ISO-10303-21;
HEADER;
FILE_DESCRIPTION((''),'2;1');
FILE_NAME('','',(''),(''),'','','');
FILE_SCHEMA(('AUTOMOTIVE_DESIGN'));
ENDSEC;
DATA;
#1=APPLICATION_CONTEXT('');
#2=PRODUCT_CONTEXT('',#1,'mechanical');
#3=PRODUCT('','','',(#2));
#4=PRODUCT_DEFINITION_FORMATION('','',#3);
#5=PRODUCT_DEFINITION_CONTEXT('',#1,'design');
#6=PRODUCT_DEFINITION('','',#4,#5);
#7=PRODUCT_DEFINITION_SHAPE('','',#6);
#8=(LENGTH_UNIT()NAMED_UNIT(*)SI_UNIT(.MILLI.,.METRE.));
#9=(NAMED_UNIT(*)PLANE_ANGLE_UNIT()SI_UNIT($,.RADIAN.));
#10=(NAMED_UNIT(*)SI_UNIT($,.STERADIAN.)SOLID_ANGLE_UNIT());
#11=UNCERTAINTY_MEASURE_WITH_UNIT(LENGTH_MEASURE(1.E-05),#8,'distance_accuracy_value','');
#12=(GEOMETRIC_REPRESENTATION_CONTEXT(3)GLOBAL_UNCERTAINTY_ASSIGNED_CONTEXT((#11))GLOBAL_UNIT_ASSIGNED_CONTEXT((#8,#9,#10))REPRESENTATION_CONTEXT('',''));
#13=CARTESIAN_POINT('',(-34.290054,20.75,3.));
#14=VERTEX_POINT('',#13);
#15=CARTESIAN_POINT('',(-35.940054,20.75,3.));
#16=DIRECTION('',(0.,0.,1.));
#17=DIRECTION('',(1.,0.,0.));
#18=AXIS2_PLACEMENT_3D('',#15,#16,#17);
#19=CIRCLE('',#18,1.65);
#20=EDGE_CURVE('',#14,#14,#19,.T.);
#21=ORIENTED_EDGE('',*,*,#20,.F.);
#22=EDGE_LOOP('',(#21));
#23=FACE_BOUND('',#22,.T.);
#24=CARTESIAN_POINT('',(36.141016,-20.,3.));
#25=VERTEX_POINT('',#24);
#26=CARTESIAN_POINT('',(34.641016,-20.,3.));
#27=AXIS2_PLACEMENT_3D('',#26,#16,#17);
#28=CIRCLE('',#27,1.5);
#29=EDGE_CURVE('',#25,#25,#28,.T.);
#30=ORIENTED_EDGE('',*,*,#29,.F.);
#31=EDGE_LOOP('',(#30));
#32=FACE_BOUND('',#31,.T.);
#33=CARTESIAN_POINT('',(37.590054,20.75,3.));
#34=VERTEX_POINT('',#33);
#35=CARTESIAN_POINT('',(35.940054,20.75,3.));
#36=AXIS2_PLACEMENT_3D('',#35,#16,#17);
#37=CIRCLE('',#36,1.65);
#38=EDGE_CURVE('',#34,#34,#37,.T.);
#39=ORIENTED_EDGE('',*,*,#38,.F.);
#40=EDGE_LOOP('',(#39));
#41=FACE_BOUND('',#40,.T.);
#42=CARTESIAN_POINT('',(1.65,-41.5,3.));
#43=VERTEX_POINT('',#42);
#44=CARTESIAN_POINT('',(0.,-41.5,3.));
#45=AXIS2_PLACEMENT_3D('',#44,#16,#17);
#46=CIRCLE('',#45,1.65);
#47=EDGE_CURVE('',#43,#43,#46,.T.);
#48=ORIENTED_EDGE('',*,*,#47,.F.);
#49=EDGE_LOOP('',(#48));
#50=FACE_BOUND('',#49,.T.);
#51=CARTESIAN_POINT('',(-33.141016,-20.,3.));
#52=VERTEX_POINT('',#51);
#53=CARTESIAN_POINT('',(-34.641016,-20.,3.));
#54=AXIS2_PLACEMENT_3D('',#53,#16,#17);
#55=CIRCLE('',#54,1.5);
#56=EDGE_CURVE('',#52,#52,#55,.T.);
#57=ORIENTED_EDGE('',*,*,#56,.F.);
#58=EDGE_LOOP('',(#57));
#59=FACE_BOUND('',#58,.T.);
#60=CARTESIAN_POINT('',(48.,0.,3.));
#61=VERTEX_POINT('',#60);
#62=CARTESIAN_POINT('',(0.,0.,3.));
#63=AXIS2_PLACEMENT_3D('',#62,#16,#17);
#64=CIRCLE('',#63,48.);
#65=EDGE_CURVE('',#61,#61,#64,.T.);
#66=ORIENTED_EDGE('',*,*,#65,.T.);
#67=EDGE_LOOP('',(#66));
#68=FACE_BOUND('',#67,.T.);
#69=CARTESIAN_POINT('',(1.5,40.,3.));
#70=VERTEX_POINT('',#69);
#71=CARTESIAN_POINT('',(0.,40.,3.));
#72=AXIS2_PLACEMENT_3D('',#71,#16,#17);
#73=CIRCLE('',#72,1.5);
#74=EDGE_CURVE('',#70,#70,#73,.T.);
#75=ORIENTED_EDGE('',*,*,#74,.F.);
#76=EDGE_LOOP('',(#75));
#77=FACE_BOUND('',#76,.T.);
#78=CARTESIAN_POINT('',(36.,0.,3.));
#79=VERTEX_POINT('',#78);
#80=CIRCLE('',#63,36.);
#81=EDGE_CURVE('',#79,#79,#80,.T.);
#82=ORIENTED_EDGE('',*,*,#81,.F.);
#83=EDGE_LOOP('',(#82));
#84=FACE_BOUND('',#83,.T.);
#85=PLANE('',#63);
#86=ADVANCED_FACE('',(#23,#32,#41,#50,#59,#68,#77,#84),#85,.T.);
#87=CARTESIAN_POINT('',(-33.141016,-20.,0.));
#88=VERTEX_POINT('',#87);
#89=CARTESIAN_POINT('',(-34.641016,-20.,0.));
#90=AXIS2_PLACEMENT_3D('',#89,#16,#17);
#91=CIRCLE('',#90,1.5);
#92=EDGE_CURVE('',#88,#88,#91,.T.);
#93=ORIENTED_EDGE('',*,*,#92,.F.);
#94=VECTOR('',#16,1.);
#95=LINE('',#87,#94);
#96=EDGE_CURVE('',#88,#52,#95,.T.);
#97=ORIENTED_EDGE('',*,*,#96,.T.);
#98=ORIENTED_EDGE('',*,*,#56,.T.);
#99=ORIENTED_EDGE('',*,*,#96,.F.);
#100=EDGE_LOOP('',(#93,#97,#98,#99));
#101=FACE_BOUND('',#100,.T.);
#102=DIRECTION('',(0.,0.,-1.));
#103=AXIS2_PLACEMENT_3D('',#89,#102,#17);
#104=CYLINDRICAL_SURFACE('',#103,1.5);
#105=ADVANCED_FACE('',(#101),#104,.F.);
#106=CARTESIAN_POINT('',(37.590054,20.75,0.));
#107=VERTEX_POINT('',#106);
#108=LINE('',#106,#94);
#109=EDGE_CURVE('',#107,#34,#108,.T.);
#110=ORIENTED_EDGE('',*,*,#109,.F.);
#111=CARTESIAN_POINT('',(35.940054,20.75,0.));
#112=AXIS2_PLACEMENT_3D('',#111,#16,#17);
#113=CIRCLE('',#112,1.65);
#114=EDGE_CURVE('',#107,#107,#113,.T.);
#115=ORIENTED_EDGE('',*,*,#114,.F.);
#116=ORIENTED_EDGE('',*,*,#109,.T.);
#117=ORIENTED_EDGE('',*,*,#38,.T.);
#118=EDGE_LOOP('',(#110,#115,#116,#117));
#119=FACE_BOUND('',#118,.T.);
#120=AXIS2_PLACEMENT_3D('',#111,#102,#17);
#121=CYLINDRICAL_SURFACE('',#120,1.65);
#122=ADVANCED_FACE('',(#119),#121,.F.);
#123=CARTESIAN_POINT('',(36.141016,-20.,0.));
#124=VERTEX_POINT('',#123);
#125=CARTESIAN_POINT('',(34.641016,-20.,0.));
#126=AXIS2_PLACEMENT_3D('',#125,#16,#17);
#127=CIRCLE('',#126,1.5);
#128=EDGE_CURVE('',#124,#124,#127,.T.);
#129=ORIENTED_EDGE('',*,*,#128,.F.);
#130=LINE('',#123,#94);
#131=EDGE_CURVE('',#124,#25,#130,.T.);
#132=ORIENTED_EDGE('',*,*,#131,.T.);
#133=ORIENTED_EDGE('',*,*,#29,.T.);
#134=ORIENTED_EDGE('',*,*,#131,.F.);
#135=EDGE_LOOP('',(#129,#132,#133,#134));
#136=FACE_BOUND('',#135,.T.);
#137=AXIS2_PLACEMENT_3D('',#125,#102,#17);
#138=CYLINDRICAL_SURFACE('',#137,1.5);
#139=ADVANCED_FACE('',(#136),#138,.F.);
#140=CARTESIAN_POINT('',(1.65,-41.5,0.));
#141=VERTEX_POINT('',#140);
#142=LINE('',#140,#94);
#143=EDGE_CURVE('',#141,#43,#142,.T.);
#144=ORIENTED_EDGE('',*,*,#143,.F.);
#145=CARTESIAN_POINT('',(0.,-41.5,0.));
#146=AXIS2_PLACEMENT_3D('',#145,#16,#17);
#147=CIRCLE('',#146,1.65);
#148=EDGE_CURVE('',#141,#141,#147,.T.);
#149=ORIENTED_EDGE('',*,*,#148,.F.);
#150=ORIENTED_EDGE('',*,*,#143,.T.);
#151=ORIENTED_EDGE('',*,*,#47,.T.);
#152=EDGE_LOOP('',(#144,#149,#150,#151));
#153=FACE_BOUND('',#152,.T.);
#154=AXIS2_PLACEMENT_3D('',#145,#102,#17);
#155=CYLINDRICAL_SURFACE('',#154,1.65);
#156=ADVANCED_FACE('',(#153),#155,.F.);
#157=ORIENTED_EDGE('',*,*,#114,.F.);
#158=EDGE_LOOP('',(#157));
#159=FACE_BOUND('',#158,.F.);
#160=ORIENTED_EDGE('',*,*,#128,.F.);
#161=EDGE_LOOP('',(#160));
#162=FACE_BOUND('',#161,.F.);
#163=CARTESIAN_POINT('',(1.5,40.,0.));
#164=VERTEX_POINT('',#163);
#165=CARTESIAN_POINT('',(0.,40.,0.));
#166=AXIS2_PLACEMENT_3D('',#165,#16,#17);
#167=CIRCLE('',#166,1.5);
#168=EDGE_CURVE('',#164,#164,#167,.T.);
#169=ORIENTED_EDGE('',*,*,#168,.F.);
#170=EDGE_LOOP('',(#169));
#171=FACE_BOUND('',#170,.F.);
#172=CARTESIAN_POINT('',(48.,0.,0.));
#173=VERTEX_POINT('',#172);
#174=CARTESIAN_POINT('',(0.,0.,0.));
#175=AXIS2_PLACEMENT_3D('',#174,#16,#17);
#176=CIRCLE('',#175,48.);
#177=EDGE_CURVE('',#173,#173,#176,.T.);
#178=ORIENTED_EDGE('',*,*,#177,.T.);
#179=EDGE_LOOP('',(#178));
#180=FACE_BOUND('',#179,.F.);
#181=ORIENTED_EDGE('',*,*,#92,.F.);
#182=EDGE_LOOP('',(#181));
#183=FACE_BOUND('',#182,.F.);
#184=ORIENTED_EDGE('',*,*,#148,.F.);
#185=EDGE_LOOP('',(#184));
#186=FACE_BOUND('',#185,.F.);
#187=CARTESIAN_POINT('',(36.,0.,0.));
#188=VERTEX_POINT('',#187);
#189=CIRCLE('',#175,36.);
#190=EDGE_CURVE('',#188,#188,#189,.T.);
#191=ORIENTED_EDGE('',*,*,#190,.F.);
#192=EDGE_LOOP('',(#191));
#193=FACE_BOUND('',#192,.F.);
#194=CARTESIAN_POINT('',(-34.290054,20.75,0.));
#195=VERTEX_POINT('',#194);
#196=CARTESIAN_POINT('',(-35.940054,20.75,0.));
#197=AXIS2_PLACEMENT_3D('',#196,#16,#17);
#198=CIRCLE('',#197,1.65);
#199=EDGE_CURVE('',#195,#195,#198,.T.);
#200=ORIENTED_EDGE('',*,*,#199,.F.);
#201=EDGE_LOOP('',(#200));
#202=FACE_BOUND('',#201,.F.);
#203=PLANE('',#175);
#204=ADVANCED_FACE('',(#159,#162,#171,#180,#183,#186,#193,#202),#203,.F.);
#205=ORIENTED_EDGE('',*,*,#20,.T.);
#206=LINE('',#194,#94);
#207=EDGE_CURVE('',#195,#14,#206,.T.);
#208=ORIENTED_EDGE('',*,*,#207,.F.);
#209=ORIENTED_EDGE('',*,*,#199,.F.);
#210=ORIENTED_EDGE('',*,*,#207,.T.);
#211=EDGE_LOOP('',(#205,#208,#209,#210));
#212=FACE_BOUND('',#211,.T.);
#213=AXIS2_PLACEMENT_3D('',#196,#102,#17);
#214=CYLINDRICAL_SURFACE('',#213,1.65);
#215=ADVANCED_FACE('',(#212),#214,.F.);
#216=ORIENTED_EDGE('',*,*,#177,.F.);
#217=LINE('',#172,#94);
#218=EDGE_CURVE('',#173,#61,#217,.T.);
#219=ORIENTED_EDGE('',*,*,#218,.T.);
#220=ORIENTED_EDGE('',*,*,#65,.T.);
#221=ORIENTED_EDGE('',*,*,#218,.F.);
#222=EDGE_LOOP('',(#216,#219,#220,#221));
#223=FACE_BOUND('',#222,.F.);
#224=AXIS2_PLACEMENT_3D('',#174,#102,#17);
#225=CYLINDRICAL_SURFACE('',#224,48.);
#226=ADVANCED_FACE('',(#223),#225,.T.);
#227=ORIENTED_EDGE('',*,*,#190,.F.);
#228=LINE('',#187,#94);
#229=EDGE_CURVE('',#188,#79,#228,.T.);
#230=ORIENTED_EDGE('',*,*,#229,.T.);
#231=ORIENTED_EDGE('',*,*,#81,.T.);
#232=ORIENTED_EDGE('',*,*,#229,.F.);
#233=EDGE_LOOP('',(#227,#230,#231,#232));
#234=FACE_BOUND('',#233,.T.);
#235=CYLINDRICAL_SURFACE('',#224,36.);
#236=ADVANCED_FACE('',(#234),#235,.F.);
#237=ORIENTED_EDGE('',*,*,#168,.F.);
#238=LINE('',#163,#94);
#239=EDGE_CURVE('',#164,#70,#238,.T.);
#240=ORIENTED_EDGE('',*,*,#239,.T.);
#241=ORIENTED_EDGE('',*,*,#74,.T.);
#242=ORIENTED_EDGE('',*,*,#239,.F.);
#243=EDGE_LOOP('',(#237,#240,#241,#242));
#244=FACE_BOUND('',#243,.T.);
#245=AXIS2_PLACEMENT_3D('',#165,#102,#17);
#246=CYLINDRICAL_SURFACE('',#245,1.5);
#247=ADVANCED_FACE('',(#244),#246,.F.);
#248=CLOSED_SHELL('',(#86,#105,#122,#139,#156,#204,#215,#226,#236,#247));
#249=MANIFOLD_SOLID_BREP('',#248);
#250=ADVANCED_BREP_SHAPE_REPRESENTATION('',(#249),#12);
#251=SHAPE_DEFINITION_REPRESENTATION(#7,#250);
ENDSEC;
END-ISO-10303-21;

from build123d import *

# Parameters (mm, degrees)
F0_R     = 48
F0_R_2   = 1.5
F0_R_3   = 1.65
F0_R_4   = 36
F1_DEPTH = 3


with BuildPart() as f1:
    # F0 (on Top) → F1 (new body)
    with BuildSketch(Plane.XY):
        Circle(F0_R)
        with Locations((-34.641016, -20)):
            Circle(F0_R_2, mode=Mode.SUBTRACT)
        with Locations((0, -41.5)):
            Circle(F0_R_3, mode=Mode.SUBTRACT)
        with Locations((34.641016, -20)):
            Circle(F0_R_2, mode=Mode.SUBTRACT)
        with Locations((-35.940054, 20.75)):
            Circle(F0_R_3, mode=Mode.SUBTRACT)
        Circle(F0_R_4, mode=Mode.SUBTRACT)
        with Locations((35.940054, 20.75)):
            Circle(F0_R_3, mode=Mode.SUBTRACT)
        with Locations((0, 40)):
            Circle(F0_R_2, mode=Mode.SUBTRACT)
    extrude(amount=F1_DEPTH)


solid = f1.part
